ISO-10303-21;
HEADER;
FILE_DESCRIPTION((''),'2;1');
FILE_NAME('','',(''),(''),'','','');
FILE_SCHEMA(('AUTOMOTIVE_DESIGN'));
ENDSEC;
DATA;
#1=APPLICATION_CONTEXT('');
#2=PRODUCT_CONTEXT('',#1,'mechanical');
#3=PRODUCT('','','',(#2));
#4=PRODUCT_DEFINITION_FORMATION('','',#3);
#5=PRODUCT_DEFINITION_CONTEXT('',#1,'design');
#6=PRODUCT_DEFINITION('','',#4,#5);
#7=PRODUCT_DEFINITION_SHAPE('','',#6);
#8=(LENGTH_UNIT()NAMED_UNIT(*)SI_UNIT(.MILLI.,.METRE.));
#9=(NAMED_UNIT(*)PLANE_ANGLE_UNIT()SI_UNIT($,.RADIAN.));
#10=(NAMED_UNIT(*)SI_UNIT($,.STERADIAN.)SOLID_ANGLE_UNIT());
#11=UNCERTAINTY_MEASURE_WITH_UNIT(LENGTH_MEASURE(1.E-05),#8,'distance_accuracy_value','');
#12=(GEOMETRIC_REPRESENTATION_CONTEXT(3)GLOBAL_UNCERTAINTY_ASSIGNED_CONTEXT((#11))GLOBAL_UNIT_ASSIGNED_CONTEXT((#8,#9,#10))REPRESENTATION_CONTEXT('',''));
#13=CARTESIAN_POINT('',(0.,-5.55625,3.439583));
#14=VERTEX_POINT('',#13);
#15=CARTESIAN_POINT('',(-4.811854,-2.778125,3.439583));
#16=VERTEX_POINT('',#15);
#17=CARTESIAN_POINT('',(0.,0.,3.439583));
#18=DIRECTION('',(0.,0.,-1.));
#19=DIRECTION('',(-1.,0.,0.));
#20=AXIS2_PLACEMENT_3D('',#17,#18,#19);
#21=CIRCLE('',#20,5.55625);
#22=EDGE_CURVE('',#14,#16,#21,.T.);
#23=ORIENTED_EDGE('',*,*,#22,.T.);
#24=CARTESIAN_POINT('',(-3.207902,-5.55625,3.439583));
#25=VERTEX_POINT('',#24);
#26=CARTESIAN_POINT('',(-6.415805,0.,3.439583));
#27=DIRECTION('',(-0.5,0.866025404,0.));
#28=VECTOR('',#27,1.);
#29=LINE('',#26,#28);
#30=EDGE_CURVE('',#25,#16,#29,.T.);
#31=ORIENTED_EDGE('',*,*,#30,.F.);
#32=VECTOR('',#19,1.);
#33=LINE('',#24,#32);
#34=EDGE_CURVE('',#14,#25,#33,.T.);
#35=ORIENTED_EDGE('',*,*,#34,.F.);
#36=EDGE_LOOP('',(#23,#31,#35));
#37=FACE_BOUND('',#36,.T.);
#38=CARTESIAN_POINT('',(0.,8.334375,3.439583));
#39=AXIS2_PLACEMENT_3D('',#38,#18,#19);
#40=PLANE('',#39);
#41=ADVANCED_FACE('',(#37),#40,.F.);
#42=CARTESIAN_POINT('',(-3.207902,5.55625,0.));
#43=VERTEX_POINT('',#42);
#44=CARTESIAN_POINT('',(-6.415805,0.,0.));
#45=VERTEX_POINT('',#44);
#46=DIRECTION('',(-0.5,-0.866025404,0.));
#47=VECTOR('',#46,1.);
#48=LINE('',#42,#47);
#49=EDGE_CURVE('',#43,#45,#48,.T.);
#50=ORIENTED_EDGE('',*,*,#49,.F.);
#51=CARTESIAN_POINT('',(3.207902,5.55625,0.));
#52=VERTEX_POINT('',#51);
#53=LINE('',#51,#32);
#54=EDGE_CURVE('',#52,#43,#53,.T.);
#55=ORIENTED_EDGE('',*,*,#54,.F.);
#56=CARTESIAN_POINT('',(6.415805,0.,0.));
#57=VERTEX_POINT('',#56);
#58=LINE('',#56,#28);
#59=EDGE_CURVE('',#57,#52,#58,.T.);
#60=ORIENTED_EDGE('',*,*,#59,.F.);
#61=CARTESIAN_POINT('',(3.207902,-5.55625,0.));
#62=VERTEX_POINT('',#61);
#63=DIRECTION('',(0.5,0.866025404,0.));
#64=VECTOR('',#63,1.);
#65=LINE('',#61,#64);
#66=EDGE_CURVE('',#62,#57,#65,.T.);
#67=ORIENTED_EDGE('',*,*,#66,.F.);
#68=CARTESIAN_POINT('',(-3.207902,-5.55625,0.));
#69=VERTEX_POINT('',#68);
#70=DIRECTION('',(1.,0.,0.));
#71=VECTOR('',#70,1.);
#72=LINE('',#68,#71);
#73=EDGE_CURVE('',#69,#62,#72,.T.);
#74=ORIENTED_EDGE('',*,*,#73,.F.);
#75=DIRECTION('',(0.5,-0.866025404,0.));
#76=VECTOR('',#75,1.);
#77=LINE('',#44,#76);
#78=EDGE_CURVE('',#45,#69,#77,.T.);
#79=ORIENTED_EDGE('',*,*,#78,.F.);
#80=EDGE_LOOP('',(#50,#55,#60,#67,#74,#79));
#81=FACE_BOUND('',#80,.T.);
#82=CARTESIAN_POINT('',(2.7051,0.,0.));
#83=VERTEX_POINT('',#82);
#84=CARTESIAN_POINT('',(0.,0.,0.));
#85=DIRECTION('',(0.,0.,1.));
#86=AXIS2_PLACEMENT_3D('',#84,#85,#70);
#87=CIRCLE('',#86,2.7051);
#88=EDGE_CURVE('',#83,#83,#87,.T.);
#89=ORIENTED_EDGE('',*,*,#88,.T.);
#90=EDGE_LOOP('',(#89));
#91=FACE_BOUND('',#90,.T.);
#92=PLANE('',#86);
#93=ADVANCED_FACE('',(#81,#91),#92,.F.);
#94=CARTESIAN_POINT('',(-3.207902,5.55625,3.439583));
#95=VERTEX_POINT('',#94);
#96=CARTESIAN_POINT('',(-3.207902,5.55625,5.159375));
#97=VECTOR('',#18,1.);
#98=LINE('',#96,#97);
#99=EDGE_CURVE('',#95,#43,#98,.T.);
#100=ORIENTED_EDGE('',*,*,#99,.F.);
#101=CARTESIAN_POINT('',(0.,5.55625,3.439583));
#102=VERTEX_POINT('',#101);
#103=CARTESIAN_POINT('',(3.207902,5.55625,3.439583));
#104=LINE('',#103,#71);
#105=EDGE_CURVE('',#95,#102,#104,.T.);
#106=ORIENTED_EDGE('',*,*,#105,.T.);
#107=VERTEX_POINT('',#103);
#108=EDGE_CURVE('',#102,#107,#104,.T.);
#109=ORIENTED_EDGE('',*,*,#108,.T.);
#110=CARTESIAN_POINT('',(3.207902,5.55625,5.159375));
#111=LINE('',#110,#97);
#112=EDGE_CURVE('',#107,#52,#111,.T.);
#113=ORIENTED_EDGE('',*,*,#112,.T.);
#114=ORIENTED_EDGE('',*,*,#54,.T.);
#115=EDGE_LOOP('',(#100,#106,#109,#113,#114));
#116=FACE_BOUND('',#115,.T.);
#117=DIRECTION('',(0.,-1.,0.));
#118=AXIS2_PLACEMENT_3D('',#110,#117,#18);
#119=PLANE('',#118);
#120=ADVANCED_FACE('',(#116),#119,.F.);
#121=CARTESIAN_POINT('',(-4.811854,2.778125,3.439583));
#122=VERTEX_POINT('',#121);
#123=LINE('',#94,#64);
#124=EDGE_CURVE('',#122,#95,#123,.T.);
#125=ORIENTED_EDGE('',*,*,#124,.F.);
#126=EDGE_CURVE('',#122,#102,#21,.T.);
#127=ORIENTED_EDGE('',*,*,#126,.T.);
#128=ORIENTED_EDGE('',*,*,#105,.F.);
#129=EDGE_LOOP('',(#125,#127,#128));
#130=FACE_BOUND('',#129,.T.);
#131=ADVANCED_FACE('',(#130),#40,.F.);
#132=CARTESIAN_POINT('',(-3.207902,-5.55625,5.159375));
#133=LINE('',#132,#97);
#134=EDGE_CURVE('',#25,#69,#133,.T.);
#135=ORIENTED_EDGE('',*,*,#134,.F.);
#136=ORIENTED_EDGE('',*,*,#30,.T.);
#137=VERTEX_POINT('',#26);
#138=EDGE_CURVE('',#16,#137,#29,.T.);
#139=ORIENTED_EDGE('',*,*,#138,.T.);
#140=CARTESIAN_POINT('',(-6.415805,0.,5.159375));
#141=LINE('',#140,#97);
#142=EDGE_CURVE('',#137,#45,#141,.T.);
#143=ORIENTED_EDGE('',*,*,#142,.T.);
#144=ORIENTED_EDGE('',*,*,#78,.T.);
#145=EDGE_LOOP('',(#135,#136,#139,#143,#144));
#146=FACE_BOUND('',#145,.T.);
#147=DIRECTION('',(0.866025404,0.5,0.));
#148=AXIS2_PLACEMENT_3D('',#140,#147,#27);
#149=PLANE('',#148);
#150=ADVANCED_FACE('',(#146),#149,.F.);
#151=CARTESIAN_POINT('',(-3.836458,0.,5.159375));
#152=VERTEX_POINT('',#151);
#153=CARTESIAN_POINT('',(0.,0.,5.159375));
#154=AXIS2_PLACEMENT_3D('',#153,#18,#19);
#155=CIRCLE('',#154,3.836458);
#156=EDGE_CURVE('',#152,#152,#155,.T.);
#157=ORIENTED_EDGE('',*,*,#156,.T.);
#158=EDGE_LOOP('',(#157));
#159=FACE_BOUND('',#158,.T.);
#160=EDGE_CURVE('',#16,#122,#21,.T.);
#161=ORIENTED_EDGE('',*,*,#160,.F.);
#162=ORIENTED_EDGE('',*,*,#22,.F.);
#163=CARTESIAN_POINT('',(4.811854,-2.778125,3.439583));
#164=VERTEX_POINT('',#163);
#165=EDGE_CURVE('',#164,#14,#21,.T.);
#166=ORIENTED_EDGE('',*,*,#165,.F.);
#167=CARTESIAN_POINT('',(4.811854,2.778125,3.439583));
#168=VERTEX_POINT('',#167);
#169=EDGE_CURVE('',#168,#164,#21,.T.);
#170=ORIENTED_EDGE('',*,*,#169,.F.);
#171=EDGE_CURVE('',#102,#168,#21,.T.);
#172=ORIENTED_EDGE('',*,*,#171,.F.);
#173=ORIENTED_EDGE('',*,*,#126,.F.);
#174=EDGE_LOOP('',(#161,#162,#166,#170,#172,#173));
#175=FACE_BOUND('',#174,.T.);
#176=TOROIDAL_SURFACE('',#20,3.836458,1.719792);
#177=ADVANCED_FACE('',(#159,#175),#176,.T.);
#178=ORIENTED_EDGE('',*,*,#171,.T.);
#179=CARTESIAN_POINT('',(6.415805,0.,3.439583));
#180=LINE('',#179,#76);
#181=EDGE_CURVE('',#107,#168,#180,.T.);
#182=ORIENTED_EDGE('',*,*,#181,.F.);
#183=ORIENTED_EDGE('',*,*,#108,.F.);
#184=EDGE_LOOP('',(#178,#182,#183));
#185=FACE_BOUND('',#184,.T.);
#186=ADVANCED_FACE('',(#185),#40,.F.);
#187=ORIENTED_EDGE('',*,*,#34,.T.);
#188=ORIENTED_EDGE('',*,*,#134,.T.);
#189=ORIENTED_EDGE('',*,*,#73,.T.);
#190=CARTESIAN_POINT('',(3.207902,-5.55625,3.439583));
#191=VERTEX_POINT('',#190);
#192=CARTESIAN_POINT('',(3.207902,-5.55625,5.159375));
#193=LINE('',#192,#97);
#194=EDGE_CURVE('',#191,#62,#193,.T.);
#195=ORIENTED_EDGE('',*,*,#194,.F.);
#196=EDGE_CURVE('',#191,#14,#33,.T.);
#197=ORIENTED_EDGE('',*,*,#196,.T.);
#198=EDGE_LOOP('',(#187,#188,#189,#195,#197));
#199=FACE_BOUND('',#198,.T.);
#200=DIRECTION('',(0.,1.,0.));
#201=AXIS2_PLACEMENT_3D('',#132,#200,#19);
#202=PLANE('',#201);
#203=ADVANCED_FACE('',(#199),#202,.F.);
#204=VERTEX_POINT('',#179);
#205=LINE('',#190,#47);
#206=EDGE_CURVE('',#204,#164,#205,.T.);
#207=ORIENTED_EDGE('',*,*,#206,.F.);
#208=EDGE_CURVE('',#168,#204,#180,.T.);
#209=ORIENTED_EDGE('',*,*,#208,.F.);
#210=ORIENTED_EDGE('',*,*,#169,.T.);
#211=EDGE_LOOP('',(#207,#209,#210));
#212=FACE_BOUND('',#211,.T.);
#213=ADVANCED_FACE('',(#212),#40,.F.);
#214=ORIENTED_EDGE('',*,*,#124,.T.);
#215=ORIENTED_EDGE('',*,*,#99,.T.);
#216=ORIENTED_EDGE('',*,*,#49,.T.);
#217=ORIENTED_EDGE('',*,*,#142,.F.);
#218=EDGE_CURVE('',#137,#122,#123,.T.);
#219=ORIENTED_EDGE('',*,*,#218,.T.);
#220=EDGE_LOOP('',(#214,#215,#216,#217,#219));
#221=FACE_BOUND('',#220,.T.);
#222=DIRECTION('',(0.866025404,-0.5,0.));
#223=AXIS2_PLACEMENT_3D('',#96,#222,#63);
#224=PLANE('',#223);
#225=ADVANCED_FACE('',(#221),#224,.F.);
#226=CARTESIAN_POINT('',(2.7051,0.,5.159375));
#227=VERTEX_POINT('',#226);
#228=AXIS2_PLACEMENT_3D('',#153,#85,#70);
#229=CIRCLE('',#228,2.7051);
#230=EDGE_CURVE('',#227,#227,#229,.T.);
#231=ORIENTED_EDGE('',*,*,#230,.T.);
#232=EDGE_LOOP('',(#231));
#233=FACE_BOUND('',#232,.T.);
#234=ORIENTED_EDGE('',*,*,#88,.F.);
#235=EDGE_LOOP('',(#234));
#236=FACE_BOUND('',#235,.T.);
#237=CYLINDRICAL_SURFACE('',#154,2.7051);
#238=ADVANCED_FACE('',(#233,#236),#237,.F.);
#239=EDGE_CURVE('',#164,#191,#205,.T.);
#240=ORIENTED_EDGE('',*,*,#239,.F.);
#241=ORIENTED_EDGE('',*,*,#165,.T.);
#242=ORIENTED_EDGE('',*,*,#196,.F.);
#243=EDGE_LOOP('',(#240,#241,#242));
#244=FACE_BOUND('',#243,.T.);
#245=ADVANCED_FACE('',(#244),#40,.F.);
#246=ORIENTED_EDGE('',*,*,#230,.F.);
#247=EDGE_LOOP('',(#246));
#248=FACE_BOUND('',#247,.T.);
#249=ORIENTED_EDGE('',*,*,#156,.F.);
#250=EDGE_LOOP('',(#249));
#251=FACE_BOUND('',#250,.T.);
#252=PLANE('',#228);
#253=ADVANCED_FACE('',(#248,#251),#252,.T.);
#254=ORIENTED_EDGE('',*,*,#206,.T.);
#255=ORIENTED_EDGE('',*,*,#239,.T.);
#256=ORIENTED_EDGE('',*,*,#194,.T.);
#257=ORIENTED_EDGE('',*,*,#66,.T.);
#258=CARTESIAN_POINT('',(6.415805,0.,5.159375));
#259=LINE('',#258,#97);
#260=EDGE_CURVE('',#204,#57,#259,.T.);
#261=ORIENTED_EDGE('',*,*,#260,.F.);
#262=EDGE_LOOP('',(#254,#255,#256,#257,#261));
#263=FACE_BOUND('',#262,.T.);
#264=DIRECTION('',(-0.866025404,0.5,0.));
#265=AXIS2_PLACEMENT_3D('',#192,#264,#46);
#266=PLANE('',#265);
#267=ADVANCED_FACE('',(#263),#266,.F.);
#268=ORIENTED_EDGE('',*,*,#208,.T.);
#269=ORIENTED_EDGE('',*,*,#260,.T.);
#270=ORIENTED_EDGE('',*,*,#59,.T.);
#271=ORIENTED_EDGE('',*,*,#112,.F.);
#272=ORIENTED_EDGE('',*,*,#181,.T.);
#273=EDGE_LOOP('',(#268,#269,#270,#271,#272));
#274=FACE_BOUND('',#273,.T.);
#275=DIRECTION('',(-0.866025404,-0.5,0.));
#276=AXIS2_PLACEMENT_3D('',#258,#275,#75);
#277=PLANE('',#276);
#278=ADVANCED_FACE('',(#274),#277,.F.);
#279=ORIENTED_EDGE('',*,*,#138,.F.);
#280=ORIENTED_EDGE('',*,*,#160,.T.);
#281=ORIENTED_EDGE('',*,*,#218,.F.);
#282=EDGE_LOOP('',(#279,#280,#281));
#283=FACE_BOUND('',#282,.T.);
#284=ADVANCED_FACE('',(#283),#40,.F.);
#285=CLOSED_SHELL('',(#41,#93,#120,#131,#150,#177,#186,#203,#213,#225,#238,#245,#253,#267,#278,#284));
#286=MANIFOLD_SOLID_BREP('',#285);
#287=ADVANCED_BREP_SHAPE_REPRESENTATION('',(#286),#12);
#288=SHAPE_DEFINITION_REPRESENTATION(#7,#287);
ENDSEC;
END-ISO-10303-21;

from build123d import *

# Parameters (mm, degrees)
SKETCH1_R           = 2.7051
BOSS_EXTRUDE1_DEPTH = 5.159375


with BuildPart() as part:
    # Sketch1 → Boss-Extrude1 (new body)
    with BuildSketch(Plane.XY):
        Polygon((3.207902433, 5.55625), (-3.207902433, 5.55625), (-6.415804866, 0), (-3.207902433, -5.55625), (3.207902433, -5.55625), (6.415804866, 0), align=None)
        Circle(SKETCH1_R, mode=Mode.SUBTRACT)
    extrude(amount=BOSS_EXTRUDE1_DEPTH)

    # Sketch2 → Cut-Revolve2 (revolve, cut)
    with BuildSketch(Plane(origin=(0, 0, 0), x_dir=(0, 0, -1), z_dir=(1, 0, 0))):
        with BuildLine():
            Line((-5.159375, 5.55625), (-5.159375, 3.836458333))
            ThreePointArc((-5.159375, 3.836458333), (-4.655659683, 5.052534683), (-3.439583333, 5.55625))
            Line((-3.439583333, 5.55625), (-3.439583333, 8.334375))
            Line((-3.439583333, 8.334375), (-5.159375, 8.334375))
            Line((-5.159375, 8.334375), (-5.159375, 5.55625))
        make_face()
    revolve(axis=Axis((0, 0, -0.25796875), (0, 0, 1)), mode=Mode.SUBTRACT)


solid = part.part
